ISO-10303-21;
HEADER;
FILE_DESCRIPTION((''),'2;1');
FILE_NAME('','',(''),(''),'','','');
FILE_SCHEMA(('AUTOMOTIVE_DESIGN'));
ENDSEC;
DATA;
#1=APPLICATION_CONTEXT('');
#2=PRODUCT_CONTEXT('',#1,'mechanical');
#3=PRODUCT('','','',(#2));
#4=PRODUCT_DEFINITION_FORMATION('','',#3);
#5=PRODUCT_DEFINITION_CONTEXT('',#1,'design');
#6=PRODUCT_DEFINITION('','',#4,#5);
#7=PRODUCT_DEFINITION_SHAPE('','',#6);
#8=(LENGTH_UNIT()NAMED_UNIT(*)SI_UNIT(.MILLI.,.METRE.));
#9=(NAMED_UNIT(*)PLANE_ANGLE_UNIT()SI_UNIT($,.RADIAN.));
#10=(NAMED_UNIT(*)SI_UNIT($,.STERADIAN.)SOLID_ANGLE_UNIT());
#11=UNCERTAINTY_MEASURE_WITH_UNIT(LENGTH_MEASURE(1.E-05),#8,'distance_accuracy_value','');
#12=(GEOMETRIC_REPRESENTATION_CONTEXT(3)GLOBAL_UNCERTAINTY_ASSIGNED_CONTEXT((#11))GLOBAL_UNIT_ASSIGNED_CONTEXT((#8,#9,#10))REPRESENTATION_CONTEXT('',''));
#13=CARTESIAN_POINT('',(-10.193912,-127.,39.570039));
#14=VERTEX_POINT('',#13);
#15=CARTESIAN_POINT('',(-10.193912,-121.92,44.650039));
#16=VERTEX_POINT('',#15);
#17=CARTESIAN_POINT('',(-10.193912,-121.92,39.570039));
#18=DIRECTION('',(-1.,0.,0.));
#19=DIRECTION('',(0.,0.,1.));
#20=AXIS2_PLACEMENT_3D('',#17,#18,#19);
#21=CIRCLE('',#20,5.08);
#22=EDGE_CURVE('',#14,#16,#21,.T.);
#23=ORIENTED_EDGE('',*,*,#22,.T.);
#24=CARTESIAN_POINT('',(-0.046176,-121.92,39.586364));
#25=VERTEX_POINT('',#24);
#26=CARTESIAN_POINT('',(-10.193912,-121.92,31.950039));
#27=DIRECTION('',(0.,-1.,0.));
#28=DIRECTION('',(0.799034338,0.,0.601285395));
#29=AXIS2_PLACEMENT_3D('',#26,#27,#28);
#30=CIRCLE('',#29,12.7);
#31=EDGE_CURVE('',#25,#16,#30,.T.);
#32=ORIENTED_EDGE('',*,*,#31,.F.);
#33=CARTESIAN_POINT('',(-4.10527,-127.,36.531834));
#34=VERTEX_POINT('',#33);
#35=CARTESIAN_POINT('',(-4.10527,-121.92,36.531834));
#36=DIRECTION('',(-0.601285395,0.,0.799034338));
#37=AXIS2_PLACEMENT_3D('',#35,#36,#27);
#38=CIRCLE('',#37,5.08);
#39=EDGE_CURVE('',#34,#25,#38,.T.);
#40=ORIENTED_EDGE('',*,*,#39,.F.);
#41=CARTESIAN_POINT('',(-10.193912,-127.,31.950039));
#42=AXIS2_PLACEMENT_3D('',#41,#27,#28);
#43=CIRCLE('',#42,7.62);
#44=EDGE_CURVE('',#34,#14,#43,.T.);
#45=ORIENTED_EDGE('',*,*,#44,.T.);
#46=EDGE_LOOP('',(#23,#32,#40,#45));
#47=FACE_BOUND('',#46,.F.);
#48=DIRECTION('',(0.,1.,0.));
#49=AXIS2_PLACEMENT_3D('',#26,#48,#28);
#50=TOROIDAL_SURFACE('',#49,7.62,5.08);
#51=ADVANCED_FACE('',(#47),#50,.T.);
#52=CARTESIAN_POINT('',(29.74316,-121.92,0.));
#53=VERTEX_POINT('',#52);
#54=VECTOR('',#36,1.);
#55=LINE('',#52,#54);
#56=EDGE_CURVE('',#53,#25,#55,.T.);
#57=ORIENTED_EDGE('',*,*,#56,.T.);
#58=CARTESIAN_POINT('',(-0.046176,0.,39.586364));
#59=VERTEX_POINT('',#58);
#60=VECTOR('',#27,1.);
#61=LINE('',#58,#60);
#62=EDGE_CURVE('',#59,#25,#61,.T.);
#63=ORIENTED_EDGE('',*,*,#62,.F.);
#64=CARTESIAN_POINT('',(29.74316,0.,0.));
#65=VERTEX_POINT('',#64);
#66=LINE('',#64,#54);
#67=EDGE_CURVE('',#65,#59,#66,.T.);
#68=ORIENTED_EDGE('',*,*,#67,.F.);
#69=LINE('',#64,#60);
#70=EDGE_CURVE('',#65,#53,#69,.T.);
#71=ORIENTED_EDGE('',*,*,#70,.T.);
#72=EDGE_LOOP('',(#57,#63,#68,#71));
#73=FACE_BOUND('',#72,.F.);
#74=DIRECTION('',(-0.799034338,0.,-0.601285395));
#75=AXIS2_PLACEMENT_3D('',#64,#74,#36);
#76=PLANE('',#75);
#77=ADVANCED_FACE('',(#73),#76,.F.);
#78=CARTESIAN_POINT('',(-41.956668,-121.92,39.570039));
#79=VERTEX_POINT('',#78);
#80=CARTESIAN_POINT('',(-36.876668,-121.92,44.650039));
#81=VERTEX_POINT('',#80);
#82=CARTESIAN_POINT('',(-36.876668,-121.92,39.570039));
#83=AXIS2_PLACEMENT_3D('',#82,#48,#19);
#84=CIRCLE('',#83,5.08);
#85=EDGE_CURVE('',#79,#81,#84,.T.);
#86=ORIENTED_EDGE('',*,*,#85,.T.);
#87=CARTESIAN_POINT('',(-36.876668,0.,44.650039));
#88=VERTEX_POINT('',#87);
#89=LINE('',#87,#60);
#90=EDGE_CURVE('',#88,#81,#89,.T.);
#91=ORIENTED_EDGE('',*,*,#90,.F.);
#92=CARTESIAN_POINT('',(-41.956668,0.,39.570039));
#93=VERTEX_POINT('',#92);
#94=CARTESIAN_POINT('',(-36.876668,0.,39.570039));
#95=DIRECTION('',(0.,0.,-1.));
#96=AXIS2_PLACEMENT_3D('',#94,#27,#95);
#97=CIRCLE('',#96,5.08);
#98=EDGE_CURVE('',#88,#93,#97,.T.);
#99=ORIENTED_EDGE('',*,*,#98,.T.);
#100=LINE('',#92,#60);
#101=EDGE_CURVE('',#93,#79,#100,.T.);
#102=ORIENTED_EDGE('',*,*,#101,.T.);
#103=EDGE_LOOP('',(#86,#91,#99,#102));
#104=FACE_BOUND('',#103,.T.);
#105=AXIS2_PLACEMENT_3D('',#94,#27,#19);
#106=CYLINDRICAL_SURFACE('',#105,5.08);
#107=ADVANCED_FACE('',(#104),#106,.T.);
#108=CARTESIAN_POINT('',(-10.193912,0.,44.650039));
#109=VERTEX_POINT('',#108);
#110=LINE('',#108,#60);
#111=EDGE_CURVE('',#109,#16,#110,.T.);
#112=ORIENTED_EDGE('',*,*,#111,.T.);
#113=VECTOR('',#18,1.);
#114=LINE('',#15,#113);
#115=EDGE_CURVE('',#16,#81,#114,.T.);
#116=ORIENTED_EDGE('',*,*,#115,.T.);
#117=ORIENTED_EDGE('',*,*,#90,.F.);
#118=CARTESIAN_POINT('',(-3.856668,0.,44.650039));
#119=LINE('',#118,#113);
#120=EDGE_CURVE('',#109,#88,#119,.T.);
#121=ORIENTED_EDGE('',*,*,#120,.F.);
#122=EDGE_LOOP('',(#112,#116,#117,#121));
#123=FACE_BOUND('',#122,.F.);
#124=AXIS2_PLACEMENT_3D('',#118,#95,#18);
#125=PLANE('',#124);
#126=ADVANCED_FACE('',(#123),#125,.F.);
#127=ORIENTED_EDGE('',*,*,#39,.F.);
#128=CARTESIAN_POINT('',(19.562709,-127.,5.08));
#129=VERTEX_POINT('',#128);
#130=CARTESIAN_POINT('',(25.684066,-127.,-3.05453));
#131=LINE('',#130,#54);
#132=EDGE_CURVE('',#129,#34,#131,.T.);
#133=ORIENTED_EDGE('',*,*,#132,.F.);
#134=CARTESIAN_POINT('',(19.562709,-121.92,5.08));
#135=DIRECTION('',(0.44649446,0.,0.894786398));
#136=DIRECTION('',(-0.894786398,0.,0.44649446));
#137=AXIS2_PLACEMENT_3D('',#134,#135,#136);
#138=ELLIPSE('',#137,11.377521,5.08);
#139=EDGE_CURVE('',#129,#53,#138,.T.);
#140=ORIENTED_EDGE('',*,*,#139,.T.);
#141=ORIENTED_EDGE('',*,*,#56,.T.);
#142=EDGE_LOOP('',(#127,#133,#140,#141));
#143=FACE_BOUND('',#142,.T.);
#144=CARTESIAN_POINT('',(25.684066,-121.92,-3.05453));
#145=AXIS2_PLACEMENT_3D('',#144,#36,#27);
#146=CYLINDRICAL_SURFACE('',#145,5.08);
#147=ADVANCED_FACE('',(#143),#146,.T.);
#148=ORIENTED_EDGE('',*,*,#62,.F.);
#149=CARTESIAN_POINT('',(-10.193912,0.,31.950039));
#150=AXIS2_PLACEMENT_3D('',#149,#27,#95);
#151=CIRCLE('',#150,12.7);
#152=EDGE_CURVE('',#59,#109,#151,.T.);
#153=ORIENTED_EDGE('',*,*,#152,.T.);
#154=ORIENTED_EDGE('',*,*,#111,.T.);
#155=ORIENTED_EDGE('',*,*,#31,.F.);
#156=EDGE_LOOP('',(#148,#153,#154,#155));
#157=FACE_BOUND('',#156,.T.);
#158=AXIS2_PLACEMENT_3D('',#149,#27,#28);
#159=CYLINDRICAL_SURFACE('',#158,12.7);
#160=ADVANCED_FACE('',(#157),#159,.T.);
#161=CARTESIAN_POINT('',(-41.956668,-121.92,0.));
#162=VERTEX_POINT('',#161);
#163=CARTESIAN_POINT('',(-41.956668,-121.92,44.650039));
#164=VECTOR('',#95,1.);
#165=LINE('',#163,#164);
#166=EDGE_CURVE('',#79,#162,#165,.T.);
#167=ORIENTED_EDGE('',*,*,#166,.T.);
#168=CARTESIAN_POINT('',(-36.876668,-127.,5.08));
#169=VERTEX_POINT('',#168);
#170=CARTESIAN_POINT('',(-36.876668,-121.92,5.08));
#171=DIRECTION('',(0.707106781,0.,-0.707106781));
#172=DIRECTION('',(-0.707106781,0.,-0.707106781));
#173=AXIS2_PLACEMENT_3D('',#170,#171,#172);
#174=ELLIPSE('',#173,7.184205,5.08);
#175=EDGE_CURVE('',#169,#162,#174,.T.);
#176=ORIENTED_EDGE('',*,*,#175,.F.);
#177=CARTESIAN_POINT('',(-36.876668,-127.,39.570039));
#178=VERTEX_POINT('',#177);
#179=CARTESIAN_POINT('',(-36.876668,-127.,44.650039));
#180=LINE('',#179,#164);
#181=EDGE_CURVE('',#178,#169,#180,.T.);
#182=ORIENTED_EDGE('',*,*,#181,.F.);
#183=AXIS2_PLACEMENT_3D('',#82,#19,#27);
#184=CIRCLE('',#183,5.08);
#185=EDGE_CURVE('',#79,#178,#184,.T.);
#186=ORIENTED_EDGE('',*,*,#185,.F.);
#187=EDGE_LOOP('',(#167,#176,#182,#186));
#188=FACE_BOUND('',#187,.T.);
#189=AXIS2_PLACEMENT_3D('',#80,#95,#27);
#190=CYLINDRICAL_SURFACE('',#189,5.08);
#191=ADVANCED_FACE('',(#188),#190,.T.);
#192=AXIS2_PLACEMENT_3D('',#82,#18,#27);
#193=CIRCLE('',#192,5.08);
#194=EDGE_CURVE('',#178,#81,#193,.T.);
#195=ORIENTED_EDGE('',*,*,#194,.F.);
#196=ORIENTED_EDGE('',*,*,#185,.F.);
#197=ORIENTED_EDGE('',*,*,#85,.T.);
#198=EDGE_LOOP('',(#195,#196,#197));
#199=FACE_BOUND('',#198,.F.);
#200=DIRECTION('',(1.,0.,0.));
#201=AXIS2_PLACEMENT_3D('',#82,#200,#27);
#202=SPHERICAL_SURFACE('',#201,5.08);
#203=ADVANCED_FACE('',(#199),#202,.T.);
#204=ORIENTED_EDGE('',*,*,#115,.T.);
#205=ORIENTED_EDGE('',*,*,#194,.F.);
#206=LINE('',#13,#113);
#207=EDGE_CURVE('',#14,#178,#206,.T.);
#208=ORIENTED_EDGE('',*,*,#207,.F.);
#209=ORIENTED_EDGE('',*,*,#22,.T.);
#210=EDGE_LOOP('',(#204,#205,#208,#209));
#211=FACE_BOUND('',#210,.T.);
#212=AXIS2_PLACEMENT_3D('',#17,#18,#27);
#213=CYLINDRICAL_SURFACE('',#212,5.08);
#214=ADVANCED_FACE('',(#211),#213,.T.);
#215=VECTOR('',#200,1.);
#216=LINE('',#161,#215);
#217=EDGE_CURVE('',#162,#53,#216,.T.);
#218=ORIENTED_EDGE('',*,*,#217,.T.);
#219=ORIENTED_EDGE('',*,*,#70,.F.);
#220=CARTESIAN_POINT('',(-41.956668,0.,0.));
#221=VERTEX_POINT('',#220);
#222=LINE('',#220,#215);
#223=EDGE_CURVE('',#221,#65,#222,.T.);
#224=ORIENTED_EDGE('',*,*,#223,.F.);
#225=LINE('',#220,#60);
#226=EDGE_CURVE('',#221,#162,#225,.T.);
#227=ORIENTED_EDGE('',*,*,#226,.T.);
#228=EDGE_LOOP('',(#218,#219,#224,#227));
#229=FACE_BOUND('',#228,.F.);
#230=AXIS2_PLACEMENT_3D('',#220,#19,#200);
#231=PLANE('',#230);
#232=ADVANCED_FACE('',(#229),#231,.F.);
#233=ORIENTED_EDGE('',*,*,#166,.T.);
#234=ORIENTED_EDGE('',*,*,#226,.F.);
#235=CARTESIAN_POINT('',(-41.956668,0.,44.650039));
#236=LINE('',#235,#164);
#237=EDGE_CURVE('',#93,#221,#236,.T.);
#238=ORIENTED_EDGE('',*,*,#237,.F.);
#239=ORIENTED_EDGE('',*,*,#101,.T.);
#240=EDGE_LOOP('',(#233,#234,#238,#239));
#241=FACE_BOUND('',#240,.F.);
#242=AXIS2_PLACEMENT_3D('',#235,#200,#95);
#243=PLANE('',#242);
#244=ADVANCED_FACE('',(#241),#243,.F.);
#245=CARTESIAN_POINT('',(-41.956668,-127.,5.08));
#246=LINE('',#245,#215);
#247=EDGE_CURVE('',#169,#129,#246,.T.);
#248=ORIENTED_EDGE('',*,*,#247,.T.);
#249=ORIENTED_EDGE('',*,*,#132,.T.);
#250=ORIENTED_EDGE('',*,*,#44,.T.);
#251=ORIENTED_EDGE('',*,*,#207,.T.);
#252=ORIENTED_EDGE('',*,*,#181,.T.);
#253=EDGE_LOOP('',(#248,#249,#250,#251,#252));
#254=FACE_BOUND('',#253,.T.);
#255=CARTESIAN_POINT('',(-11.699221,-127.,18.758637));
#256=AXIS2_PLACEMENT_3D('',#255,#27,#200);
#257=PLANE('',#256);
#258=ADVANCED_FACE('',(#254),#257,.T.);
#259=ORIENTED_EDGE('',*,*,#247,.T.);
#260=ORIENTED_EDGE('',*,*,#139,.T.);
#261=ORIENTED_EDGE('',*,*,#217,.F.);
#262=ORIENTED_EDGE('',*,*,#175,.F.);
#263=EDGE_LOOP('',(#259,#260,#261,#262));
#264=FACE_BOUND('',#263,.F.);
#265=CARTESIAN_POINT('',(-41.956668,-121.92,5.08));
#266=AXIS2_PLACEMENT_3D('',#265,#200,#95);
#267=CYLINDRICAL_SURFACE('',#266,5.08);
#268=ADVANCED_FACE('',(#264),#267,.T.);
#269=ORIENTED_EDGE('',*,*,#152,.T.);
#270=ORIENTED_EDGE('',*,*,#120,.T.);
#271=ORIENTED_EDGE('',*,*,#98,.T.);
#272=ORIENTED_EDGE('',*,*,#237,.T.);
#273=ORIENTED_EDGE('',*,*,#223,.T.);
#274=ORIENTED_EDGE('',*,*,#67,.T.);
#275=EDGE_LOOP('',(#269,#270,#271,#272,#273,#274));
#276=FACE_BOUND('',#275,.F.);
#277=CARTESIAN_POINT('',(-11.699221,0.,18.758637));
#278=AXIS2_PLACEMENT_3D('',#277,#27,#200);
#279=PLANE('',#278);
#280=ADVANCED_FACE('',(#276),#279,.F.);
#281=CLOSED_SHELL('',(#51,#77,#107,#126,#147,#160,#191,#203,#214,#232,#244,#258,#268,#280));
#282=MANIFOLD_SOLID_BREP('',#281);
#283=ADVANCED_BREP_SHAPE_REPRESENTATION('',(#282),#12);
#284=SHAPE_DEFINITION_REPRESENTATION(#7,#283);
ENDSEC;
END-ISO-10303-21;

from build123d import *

# Parameters (mm, degrees)
F1_DEPTH = 127
F2_R     = 12.7
F3_R     = 5.08


with BuildPart() as f1:
    # F0 (on Front) → F1 (new body)
    with BuildSketch(Plane.XZ):
        Polygon((-41.956668, 44.650039), (-41.956668, 0), (29.74316, 0), (-3.856668, 44.650039), align=None)
    extrude(amount=F1_DEPTH)

    # F2
    f2_edges = [f1.edges().sort_by_distance(p)[0] for p in [
        (-3.856668, -63.5, 44.650039),
    ]]
    fillet(f2_edges, radius=F2_R)

    # F3
    f3_edges = [f1.edges().sort_by_distance(p)[0] for p in [
        (-26.07529, -127, 44.650039),
        (-4.523432, -127, 43.313826),
        (-41.956668, -127, 22.325019),
        (14.848492, -127, 19.793182),
        (-6.106754, -127, 0),
        (-41.956668, -63.5, 44.650039),
    ]]
    fillet(f3_edges, radius=F3_R)


solid = f1.part
